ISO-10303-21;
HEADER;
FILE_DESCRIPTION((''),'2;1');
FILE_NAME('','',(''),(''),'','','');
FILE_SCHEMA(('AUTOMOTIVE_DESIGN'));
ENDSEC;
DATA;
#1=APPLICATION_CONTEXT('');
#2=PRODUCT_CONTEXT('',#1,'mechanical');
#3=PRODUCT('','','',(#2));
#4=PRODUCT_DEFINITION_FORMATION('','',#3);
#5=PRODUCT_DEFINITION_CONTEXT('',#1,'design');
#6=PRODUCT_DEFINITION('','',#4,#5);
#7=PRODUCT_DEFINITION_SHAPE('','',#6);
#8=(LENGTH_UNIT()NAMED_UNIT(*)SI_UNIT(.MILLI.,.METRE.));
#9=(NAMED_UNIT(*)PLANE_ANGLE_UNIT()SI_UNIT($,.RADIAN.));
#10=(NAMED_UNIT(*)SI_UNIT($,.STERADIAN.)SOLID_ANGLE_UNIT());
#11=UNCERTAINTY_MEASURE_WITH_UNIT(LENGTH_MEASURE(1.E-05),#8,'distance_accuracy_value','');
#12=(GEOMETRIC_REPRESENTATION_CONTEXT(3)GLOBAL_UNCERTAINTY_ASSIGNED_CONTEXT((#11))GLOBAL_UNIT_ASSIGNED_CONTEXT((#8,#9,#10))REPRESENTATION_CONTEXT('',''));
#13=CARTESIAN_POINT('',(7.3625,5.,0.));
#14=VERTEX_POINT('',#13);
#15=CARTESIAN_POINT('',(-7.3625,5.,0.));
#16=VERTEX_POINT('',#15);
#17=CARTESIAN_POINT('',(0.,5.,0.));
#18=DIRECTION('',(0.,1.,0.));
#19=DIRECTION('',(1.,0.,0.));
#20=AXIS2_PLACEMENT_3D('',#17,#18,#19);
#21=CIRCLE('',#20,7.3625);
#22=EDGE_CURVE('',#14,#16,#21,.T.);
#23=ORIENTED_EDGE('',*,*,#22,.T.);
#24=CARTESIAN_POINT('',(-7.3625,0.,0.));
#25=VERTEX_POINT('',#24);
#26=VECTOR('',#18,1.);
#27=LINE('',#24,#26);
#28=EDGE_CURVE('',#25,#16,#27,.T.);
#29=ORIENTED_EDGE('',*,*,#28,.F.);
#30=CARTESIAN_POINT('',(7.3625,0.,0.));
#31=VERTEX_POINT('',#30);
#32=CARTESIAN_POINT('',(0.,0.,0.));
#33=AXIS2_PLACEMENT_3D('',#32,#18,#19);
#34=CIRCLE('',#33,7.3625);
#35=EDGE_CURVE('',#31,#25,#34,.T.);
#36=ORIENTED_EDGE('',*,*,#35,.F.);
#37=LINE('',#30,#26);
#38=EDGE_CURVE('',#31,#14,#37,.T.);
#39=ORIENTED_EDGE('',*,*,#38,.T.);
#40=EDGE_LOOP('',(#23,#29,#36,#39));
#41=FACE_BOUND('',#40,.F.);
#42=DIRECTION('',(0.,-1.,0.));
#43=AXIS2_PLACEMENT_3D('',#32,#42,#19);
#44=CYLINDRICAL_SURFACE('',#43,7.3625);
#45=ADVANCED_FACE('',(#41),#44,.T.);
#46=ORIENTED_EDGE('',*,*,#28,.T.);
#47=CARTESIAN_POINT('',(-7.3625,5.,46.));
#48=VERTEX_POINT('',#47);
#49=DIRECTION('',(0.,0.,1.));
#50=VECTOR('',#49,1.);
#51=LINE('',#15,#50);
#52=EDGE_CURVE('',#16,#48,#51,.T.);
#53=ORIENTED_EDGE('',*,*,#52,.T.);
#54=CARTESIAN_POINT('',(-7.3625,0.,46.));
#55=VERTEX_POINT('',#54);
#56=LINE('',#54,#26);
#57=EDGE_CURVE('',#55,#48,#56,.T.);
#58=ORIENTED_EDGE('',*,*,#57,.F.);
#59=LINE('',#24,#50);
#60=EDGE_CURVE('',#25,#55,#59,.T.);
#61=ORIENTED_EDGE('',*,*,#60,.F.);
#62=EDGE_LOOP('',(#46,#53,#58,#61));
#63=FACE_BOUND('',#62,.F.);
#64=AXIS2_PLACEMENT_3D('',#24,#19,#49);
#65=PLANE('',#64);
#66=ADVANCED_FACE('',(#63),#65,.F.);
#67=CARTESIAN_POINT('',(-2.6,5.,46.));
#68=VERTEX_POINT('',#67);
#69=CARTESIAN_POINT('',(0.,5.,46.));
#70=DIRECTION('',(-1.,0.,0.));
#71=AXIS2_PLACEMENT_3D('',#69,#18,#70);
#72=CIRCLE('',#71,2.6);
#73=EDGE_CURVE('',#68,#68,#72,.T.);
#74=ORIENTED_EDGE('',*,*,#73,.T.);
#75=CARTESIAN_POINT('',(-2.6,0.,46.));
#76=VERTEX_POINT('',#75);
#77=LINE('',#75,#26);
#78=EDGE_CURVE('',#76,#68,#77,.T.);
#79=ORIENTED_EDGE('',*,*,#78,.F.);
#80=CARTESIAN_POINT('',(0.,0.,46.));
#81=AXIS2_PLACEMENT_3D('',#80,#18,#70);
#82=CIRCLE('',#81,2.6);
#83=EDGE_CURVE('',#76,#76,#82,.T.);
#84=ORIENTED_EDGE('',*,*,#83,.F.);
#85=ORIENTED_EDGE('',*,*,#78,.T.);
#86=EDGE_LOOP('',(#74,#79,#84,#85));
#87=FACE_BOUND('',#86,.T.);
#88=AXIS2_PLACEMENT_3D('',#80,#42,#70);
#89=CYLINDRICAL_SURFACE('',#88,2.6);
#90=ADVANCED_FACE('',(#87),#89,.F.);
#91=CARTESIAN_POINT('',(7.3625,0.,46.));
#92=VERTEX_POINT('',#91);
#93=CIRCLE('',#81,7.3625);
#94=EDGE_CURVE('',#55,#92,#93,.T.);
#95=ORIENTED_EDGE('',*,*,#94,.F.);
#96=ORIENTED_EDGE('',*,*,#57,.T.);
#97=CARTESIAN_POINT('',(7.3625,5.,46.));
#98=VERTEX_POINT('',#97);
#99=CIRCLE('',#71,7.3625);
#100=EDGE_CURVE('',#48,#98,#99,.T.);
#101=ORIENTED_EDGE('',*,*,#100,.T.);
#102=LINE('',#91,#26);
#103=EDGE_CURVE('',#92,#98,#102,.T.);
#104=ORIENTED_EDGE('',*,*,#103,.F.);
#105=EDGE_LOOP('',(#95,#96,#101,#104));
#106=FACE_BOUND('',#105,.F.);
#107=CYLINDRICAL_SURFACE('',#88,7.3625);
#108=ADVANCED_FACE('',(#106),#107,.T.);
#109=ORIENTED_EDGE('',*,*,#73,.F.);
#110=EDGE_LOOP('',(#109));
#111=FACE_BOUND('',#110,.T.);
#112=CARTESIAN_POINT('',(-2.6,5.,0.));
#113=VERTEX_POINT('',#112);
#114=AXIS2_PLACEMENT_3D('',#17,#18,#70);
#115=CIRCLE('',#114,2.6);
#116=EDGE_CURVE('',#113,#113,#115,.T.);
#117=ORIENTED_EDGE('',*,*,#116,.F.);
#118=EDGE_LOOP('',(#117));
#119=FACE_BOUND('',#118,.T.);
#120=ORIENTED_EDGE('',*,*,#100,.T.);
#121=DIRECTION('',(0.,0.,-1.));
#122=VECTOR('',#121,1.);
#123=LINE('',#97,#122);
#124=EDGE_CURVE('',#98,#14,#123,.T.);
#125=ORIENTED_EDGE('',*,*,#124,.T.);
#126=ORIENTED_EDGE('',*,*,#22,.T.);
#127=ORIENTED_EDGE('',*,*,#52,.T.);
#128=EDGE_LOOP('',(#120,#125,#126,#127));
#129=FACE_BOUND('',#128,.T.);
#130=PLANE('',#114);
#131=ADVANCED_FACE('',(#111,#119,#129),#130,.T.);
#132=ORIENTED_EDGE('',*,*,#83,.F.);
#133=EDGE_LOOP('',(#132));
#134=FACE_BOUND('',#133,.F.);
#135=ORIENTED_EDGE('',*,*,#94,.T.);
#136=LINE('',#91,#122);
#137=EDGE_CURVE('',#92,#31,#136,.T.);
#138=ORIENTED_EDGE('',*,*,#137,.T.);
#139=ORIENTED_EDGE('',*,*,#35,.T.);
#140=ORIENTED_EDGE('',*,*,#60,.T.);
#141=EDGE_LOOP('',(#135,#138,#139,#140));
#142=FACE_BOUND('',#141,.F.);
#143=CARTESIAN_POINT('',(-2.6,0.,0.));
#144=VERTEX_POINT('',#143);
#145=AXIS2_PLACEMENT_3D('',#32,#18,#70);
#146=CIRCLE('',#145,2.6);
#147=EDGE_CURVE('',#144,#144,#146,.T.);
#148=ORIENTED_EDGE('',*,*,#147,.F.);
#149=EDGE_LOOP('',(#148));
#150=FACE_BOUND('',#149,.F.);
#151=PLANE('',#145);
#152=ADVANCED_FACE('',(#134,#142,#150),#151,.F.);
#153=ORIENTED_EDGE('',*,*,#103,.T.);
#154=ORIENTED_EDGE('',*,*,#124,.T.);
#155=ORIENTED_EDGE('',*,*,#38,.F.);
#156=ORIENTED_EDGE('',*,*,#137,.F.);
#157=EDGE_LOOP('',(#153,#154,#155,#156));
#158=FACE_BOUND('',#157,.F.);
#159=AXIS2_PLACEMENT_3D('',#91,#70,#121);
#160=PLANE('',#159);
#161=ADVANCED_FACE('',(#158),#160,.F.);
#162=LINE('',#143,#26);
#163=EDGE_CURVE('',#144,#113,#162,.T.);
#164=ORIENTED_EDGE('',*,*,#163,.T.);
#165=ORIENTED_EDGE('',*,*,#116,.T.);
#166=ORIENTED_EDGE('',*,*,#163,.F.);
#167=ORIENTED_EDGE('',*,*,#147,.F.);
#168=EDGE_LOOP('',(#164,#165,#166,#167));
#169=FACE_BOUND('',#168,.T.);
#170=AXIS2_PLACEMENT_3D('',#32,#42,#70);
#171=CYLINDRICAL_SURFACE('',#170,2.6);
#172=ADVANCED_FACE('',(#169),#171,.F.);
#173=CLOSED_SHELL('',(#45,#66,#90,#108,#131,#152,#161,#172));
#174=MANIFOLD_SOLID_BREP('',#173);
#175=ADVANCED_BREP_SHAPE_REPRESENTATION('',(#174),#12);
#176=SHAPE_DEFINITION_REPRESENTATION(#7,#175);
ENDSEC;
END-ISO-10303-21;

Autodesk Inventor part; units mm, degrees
ref_plane "YZ Plane" through (0, 0, 0) normal (1, 0, 0) x (0, 1, 0)
ref_plane "XZ Plane" through (0, 0, 0) normal (0, 1, 0) x (-1, 0, 0)
ref_plane "XY Plane" through (0, 0, 0) normal (0, 0, 1) x (1, 0, 0)
sketch "Sketch1" plane through (0, 0, 0) normal (0, 1, 0) x (-1, 0, 0)
  circle A0 centre (0, 0) radius 2.6
  circle A1 centre (0, 0) radius 7.3625 construction
  circle A2 centre (0, 46) radius 2.6
  circle A3 centre (0, 46) radius 7.3625 construction
  line L0 (7.3625, 0) -> (7.3625, 46)
  line L1 (-7.3625, 46) -> (-7.3625, 0)
  arc A4 (-7.3625, 0) -> (7.3625, 0) centre (0, 0) ccw
  arc A5 (7.3625, 46) -> (-7.3625, 46) centre (0, 46) ccw
  dimension "d0" = 5.2
  dimension "d1" = 4.7625
  dimension "d2" = 46
extrude "Extrusion1" add sketch "Sketch1" along normal blind 5
properties part number "CNC-019-ZAxisBallScrewStabilizerShim2" material "ABS Plastic"
